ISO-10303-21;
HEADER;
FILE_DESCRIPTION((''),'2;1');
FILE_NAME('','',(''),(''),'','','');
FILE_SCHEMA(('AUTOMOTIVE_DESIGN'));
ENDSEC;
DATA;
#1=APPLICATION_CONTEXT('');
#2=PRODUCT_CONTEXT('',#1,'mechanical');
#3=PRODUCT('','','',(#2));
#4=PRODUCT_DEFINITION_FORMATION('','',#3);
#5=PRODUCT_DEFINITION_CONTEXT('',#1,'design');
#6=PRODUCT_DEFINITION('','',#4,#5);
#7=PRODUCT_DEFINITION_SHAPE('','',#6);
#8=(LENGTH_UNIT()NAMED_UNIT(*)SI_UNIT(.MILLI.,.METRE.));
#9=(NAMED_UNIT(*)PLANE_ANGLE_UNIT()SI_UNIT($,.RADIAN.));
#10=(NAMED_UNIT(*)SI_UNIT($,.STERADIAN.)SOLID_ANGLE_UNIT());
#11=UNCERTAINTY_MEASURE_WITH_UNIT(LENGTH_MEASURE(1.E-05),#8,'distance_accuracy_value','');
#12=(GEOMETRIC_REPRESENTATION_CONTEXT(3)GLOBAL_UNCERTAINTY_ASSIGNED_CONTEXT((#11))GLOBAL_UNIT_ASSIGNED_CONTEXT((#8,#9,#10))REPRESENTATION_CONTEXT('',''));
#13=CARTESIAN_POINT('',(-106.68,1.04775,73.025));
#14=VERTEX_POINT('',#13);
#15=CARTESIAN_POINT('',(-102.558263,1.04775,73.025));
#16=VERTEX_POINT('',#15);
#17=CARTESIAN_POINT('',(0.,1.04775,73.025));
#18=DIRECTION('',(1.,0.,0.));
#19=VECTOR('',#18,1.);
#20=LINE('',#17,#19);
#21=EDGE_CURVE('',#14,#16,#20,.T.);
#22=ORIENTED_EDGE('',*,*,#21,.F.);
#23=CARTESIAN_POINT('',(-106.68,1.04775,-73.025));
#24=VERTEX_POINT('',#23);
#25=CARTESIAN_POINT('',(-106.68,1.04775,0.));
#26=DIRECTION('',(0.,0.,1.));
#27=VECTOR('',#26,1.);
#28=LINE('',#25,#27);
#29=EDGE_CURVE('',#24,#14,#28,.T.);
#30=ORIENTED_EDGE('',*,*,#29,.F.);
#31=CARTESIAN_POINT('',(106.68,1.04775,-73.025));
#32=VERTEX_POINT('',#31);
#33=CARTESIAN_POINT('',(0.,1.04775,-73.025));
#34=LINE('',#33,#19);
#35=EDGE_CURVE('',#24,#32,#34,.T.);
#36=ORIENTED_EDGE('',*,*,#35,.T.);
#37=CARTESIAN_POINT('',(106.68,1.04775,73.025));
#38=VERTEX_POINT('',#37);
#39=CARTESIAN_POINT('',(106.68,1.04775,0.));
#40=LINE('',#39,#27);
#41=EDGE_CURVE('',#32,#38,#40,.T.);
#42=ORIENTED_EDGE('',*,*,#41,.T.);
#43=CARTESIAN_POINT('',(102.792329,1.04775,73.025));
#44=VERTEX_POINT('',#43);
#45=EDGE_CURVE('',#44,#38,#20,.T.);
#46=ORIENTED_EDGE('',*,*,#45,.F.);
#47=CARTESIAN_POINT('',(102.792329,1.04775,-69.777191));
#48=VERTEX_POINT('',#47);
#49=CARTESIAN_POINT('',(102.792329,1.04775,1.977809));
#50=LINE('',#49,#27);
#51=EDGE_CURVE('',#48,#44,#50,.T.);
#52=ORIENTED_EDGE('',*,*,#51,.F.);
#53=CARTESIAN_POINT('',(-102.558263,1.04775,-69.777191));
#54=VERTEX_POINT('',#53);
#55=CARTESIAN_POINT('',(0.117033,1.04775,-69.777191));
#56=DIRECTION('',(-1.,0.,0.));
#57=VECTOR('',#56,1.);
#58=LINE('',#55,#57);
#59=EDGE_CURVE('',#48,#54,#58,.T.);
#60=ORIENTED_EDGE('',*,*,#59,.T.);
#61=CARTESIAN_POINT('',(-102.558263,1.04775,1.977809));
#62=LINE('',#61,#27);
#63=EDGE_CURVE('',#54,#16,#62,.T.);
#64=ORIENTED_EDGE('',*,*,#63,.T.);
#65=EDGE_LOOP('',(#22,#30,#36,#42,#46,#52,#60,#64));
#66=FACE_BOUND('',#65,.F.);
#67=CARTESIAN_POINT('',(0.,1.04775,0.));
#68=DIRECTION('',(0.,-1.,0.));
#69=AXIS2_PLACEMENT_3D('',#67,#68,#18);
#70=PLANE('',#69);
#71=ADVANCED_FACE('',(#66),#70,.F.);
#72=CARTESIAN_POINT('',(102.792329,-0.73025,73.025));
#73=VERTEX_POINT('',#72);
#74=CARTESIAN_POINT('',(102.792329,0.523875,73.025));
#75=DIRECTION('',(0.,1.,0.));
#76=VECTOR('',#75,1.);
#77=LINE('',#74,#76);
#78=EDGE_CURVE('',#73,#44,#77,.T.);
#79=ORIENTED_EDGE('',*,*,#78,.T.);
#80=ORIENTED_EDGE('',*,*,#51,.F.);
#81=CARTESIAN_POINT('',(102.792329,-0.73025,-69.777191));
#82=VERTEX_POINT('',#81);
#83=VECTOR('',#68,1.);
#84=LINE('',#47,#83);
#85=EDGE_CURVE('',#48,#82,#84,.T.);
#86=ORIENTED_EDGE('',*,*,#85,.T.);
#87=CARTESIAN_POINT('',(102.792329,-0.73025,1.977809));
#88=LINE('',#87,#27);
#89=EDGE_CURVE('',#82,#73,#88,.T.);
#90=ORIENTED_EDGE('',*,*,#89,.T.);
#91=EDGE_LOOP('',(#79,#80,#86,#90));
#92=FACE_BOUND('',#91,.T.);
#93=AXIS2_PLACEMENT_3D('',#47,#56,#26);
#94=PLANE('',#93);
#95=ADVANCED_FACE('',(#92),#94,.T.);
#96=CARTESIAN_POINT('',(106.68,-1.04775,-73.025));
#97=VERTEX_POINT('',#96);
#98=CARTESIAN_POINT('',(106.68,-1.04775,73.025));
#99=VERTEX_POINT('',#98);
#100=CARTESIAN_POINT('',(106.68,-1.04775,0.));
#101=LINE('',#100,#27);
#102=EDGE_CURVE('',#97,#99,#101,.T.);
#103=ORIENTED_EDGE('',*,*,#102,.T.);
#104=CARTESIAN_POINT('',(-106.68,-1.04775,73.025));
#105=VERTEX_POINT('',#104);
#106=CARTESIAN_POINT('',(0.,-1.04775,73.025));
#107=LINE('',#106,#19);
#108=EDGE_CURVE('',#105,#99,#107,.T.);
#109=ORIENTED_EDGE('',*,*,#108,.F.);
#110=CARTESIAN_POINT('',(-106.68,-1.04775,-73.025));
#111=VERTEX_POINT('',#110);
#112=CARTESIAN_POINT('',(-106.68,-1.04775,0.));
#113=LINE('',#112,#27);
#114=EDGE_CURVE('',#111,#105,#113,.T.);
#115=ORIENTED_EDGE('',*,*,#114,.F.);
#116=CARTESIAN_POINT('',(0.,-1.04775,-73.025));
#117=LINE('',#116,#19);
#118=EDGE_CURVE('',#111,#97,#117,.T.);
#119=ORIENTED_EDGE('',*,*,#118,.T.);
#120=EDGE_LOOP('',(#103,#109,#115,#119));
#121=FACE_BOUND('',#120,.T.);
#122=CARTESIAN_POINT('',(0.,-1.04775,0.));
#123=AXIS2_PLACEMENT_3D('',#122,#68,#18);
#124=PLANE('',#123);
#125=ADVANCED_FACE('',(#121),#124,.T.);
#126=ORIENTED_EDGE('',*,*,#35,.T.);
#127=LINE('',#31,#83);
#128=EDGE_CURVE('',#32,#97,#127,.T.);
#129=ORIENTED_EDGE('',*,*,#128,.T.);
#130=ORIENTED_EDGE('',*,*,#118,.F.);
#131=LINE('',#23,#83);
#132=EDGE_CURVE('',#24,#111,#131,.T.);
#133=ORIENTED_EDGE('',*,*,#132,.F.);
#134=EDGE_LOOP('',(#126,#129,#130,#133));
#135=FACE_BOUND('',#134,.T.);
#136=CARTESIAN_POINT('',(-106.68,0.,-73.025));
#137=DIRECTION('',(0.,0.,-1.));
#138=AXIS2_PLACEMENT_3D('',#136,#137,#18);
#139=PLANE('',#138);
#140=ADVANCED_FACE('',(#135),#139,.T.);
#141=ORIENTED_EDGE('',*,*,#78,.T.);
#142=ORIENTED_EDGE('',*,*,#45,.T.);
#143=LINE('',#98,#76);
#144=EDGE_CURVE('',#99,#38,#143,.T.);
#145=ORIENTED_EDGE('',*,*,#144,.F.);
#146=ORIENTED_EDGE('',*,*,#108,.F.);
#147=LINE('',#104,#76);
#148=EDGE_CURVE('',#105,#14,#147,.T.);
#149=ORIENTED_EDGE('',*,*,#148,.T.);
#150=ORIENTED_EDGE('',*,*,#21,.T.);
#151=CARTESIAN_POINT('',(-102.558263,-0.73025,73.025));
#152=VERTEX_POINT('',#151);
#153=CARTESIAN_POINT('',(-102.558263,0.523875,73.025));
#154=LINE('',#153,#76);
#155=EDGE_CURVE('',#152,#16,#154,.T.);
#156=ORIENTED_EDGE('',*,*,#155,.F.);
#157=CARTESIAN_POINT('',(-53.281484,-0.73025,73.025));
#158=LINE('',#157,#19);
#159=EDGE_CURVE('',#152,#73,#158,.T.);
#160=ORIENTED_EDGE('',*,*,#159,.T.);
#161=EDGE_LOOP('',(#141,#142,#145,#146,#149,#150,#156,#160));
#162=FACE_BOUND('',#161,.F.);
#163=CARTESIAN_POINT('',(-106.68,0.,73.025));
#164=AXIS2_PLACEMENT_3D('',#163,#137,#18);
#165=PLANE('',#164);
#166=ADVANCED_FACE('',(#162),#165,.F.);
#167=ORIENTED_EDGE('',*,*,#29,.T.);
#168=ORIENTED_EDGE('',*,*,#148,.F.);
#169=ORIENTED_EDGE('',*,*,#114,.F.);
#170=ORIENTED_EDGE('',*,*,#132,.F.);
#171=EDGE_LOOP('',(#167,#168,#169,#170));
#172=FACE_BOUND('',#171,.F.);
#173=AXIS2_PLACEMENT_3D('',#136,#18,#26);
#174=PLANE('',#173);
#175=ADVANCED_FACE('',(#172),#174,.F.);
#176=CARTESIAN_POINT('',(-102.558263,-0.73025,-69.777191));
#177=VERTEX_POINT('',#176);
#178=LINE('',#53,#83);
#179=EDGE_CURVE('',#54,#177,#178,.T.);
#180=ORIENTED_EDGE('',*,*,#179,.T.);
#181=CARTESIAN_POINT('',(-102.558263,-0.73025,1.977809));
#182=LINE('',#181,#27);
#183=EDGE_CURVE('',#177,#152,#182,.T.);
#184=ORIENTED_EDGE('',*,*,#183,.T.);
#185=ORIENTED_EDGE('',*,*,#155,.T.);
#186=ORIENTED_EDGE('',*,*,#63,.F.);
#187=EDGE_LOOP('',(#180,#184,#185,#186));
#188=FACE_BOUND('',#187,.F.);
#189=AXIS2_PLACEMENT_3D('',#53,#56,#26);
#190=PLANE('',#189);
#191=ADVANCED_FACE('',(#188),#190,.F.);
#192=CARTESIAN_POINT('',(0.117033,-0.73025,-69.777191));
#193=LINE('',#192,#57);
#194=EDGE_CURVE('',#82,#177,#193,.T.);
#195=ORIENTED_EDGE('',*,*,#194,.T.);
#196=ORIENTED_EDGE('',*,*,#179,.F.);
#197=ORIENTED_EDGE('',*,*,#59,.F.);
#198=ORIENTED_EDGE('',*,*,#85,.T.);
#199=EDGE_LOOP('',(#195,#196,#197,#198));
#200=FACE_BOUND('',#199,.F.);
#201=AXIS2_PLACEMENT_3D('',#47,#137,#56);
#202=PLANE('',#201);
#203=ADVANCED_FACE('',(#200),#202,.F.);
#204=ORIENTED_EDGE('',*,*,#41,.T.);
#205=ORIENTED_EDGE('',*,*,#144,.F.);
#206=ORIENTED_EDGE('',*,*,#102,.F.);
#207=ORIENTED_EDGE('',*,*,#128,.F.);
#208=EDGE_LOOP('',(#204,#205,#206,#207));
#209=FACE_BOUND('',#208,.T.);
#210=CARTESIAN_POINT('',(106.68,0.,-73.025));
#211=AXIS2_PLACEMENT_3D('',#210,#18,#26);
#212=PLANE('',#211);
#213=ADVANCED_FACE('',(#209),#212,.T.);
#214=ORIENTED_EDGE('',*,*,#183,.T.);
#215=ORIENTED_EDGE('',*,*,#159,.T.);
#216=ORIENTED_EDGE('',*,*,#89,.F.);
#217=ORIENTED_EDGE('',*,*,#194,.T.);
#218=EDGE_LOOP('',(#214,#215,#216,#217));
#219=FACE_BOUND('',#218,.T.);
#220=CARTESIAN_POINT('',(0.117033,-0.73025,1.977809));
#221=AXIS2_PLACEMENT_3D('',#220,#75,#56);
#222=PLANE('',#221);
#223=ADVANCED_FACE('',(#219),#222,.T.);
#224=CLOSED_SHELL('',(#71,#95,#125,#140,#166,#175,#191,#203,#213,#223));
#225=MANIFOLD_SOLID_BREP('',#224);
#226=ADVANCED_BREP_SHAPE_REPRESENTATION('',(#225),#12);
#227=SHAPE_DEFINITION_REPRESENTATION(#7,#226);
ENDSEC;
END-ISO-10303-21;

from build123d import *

# Parameters (mm, degrees)
F0_W     = 213.36
F0_H     = 146.05
F1_DEPTH = 1.04775
F3_W     = 205.350593
F3_H     = 143.51
F4_DEPTH = 1.778


with BuildPart() as f1:
    # F0 (on Front) → F1 (new body, symmetric)
    with BuildSketch(Plane.XZ):
        Rectangle(F0_W, F0_H)
    extrude(amount=F1_DEPTH, both=True)

    # F3 (on face) → F4 (cut)
    with BuildSketch(Plane(origin=(0, 1.04775, 0), x_dir=(-1, 0, 0), z_dir=(0, 1, 0))):
        with Locations((-0.117033, 1.977809)):
            Rectangle(F3_W, F3_H)
    extrude(amount=-F4_DEPTH, mode=Mode.SUBTRACT)


solid = f1.part
